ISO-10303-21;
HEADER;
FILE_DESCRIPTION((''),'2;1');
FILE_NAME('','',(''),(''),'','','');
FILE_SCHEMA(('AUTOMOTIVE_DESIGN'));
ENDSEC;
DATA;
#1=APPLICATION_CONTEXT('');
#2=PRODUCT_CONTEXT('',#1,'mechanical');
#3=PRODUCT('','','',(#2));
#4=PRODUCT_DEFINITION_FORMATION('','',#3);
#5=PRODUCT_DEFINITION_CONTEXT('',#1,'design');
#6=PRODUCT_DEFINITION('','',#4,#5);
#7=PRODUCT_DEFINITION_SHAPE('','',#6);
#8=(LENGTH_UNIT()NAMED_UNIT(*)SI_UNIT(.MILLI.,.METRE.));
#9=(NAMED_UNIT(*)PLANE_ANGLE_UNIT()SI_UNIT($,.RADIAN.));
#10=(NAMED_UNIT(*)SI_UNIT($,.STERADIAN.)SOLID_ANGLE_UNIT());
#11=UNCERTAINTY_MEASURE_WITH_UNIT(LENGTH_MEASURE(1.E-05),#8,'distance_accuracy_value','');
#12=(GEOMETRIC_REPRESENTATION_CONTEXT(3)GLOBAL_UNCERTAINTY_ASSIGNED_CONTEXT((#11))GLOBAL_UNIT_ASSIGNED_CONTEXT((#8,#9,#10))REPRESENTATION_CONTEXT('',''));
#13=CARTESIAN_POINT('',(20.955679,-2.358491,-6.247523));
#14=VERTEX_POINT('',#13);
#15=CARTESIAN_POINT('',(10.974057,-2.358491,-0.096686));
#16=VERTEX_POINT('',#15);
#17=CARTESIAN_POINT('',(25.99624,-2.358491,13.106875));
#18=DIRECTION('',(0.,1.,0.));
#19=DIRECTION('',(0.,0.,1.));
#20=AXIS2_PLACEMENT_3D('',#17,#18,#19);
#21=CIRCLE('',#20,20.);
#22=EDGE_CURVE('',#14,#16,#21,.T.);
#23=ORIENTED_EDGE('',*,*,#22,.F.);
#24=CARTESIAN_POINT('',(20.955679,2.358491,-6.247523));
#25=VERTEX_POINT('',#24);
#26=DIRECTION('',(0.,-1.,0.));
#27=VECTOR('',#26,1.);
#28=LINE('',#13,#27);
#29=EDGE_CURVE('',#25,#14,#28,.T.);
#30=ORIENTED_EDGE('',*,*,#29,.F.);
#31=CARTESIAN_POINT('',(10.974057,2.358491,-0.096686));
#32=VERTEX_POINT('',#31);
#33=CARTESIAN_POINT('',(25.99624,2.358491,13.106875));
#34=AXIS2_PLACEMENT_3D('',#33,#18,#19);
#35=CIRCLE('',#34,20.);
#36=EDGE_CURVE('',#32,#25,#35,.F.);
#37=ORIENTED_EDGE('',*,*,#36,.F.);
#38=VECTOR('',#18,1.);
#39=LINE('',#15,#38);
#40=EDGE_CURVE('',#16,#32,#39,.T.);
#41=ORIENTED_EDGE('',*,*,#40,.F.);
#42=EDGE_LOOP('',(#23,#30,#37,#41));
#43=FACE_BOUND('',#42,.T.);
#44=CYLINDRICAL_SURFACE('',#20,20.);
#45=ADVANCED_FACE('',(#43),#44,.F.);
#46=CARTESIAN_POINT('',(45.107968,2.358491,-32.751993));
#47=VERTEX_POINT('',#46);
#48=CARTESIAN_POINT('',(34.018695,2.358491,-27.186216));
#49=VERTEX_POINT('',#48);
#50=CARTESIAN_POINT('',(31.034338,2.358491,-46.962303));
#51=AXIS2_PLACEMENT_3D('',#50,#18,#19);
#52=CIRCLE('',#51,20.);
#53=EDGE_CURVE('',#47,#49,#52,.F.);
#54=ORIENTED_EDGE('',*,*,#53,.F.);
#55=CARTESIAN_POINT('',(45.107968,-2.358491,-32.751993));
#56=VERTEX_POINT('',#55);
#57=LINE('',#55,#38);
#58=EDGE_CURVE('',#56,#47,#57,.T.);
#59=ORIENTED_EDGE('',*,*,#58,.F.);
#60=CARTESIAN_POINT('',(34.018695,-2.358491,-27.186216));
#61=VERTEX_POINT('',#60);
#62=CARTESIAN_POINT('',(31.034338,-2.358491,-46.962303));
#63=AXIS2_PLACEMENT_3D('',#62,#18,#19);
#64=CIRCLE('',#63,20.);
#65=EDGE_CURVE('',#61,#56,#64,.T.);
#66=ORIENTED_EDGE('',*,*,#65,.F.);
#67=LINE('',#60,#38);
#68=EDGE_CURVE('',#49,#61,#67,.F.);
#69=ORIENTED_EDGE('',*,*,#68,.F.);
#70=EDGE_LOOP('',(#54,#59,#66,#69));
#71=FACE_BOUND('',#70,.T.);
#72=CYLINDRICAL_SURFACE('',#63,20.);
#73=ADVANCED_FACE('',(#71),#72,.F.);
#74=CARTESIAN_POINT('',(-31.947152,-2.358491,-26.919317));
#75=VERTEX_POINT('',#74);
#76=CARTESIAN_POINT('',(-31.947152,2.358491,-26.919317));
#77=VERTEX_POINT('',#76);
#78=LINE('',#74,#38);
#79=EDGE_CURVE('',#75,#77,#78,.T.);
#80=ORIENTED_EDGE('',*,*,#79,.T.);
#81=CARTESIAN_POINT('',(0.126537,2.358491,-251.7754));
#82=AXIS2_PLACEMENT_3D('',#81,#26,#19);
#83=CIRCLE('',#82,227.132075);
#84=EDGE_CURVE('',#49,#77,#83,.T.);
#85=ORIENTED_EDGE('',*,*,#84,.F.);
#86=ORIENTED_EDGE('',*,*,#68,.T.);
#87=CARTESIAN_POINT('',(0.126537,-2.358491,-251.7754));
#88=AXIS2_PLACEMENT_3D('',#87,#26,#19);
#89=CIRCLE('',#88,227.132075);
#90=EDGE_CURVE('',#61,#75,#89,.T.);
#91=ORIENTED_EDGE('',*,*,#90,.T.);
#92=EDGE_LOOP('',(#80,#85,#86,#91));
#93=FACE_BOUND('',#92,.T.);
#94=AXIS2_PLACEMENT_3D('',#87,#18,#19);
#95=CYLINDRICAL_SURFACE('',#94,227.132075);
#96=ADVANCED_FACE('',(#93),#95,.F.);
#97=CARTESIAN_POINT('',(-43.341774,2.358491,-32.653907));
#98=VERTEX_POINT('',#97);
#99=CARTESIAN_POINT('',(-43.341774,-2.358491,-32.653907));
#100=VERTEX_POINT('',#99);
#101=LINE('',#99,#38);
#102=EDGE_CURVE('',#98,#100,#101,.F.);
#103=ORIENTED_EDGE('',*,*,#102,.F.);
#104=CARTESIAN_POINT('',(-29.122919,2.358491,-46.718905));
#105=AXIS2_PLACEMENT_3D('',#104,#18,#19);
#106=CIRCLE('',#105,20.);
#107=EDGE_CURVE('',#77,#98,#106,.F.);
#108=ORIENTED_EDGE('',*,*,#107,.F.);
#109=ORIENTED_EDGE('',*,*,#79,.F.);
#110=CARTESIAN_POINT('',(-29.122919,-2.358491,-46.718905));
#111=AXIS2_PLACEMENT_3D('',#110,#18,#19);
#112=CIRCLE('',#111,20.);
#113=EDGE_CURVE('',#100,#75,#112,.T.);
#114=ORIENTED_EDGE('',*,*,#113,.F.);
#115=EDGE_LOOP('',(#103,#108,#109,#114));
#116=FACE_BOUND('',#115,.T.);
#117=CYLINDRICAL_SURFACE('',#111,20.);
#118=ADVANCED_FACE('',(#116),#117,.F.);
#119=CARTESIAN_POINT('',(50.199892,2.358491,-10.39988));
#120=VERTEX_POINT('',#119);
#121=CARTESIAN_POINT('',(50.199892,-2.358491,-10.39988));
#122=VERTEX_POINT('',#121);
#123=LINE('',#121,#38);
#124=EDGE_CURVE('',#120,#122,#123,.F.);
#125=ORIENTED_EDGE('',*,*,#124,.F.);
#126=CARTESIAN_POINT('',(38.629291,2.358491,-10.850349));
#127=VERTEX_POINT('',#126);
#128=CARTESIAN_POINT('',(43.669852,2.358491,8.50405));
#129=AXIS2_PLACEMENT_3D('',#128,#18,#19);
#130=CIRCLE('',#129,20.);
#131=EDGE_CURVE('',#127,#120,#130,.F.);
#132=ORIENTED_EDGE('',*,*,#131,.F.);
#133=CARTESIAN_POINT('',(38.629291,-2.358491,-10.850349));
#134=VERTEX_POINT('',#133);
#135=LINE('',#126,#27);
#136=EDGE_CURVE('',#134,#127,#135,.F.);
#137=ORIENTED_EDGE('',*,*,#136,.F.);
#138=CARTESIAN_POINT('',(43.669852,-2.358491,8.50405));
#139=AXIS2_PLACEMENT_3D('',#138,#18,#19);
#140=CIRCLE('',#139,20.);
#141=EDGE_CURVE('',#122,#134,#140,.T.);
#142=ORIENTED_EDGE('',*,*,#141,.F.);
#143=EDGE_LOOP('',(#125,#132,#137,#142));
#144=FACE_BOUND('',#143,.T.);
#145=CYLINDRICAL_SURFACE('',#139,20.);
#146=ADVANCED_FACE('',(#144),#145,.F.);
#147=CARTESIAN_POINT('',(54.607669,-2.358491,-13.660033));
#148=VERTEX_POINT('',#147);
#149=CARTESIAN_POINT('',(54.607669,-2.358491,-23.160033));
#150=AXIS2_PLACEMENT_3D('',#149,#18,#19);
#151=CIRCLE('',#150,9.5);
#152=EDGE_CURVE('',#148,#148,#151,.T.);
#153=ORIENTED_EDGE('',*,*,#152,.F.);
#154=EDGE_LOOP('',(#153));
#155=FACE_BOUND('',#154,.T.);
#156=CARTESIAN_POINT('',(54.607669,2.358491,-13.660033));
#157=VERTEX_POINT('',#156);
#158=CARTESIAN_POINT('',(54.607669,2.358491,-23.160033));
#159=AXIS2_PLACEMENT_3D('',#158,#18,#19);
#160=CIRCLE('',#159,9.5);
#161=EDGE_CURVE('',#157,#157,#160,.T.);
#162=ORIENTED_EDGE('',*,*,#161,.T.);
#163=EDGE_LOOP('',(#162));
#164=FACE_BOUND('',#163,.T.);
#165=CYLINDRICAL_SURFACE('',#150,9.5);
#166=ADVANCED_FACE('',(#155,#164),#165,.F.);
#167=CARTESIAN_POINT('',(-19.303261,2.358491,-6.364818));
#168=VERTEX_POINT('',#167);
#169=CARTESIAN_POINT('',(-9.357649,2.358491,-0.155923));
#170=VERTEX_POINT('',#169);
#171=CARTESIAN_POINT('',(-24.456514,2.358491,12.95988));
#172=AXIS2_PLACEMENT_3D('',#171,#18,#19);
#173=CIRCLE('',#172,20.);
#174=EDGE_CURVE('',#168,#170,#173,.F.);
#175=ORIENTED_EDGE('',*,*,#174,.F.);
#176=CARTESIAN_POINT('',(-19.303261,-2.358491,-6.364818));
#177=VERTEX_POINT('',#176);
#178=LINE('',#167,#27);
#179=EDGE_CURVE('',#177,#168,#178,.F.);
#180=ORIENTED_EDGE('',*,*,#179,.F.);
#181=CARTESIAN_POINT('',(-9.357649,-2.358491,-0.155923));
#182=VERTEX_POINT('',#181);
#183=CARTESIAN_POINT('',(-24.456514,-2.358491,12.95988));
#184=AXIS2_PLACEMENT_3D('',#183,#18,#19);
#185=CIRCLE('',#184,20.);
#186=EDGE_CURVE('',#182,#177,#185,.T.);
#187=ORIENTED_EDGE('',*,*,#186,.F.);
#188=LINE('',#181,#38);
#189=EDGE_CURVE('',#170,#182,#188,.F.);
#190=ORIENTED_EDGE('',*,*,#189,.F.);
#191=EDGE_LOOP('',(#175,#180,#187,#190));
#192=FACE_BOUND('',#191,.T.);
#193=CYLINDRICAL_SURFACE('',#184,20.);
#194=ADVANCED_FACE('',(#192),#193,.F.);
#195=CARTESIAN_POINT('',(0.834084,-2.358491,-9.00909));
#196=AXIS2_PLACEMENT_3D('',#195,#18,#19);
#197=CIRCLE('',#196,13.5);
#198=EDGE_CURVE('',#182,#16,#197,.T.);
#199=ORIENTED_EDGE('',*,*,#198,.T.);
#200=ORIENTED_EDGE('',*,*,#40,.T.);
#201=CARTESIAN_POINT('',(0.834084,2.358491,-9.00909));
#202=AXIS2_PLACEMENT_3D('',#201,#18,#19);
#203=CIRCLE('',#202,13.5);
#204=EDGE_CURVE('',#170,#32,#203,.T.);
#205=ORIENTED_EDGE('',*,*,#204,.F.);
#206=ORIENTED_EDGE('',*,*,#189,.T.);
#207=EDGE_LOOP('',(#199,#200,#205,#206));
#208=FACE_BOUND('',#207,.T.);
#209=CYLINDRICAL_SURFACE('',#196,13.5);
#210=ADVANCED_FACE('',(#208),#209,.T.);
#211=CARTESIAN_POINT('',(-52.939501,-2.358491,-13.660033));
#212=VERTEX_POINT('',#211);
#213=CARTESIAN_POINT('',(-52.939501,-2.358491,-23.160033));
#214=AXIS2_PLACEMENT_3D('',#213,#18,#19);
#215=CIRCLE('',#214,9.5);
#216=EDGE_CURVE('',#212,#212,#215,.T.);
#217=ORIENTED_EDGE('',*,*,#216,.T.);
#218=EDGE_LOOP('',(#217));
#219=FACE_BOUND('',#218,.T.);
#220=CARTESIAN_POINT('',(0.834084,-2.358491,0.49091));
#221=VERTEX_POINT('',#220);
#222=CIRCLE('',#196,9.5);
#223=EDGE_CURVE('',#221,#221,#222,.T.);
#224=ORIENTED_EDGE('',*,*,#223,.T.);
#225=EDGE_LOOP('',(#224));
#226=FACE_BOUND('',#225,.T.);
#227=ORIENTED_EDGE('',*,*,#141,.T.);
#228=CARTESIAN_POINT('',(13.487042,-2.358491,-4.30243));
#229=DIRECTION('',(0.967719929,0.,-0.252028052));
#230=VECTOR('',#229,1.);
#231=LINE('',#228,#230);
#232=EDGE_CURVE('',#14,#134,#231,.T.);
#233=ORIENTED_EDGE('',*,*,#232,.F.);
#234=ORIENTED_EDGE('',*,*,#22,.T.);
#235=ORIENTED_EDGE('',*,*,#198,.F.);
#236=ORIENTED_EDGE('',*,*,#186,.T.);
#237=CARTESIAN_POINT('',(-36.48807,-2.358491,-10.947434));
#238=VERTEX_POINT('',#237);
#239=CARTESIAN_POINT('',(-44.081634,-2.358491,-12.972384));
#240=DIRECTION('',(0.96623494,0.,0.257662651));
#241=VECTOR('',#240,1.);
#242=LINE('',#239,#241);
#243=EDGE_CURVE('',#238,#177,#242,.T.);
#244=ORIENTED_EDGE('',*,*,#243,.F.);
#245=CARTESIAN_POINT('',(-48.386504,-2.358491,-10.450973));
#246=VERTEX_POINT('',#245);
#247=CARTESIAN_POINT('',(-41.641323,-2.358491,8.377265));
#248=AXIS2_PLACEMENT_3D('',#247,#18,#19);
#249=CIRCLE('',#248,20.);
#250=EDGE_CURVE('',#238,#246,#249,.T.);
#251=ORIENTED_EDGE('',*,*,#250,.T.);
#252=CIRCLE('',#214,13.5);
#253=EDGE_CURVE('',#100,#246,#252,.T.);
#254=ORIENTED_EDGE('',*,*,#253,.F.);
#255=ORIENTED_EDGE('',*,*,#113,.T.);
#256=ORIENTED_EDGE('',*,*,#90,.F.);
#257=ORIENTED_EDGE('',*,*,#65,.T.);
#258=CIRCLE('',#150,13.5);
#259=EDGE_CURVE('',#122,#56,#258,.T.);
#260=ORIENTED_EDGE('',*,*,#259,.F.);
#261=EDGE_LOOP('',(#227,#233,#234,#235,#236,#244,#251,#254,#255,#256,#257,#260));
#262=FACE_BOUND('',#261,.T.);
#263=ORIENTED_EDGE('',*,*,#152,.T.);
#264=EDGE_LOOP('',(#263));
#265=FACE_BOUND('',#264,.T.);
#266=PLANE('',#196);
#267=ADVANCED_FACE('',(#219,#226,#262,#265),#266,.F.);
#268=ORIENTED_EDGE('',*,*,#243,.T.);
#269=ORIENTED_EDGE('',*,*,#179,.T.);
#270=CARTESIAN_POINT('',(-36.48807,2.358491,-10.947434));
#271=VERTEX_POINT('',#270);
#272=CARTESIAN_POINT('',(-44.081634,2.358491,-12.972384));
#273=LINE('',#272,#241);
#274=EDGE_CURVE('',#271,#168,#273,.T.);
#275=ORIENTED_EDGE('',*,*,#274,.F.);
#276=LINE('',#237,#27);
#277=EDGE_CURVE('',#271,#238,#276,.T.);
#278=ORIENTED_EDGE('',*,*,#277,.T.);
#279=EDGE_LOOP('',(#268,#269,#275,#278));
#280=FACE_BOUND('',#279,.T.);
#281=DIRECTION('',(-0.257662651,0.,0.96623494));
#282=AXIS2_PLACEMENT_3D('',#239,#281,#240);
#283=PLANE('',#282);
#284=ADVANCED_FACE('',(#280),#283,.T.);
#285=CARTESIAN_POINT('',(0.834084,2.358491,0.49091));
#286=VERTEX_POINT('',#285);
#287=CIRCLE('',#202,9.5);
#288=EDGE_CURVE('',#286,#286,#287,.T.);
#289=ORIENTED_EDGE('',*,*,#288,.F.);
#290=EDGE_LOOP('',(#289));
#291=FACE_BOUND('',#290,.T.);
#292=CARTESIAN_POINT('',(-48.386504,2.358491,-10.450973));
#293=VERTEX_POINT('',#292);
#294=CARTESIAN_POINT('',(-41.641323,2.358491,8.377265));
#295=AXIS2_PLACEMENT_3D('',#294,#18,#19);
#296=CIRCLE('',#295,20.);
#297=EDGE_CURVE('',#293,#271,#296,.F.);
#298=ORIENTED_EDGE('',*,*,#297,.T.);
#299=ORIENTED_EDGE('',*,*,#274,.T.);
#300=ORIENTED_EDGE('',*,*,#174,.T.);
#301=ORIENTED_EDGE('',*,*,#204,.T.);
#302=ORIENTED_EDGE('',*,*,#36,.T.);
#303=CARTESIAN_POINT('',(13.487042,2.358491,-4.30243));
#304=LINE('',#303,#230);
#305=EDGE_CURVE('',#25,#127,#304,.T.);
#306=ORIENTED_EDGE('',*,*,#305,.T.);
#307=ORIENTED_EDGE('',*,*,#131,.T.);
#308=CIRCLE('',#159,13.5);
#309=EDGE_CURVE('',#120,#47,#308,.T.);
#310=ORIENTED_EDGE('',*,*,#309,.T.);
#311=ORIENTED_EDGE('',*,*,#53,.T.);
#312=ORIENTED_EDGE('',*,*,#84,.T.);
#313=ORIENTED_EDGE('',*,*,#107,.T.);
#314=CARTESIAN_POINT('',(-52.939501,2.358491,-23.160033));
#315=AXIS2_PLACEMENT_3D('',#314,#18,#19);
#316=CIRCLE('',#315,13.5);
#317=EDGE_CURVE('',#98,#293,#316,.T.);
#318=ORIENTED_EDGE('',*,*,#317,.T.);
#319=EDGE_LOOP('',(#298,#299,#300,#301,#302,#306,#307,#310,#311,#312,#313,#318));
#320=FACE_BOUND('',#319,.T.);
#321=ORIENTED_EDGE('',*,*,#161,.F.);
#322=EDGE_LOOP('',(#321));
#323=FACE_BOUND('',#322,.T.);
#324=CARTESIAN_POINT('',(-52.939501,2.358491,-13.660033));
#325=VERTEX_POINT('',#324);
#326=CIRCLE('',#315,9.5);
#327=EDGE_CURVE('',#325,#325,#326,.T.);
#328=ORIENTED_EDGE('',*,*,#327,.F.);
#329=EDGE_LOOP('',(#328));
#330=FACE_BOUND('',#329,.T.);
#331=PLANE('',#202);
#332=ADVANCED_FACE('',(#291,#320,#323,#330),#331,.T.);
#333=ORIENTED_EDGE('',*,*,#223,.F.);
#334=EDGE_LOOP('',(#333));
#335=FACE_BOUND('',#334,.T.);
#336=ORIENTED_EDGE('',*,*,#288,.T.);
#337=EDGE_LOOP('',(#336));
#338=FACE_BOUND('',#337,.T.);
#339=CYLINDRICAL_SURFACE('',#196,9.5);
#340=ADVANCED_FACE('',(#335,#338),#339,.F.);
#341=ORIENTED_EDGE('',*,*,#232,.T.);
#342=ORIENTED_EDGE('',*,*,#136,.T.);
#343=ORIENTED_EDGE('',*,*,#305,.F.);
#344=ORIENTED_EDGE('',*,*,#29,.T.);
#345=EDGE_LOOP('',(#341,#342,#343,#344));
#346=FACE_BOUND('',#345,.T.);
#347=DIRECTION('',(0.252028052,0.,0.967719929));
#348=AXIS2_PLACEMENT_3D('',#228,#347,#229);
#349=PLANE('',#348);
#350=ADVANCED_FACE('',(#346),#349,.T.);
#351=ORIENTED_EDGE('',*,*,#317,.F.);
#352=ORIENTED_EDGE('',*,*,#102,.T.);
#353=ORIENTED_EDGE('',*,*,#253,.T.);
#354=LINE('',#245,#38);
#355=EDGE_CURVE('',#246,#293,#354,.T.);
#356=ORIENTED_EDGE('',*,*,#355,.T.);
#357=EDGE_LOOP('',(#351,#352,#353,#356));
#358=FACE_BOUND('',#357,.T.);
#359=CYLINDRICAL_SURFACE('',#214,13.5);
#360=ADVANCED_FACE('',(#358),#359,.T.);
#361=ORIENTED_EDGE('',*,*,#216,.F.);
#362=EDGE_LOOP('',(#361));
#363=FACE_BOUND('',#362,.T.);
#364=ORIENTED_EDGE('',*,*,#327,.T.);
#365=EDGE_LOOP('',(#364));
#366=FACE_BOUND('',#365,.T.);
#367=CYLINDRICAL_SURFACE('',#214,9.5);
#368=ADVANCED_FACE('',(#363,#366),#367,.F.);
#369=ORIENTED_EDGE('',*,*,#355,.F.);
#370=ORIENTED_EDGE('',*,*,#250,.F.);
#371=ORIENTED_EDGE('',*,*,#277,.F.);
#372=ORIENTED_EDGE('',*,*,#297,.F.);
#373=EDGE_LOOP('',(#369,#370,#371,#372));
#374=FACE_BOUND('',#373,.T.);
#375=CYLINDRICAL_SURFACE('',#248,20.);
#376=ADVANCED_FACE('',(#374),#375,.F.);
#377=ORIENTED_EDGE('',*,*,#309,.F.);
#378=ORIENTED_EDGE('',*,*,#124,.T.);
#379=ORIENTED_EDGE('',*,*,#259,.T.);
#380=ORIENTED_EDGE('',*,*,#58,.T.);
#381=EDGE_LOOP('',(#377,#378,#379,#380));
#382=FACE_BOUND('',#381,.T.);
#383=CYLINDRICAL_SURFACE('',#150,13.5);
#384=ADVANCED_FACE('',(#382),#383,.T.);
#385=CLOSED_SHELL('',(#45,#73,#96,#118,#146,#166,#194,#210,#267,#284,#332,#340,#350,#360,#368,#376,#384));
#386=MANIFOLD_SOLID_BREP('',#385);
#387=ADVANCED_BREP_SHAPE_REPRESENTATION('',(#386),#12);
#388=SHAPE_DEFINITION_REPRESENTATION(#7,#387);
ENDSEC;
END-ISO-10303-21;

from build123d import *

# Parameters (mm, degrees)
SKETCH1_R           = 4.05
BOSS_EXTRUDE1_DEPTH = 5
SCALE1_SCALE        = 0.471698113
SKETCH2_R           = 1.910377358
BOSS_EXTRUDE2_DEPTH = 4.716981
SKETCH3_R           = 9.5
CUT_EXTRUDE1_DEPTH  = 78.491048109
FILLET1_R           = 20


with BuildPart() as part:
    # Sketch1 → Boss-Extrude1 (new, symmetric)
    with BuildSketch(Plane(origin=(0, 0, 0), x_dir=(1, 0, 0), z_dir=(0, 1, 0))):
        with BuildLine():
            Line((-115.945353012, 22.704926206), (-2.044938074, -7.668517777))
            ThreePointArc((-2.044938074, -7.668517777), (-0.023122965, -7.936460291), (2.000219114, -7.680303388))
            Line((2.000219114, -7.680303388), (116.075928336, 22.028993564))
            ThreePointArc((116.075928336, 22.028993564), (121.992194313, 31.992800071), (112.09054435, 38.012515284))
            ThreePointArc((112.09054435, 38.012515284), (-0.062996347, 24.666684437), (-112.292885137, 37.35447203))
            ThreePointArc((-112.292885137, 37.35447203), (-121.325741435, 31.826475412), (-115.945353012, 22.704926206))
        make_face()
        with Locations(Location((0, 0, 0), (0, 0, 270))):
            Circle(SKETCH1_R, mode=Mode.SUBTRACT)
        with Locations(Location((114, 30, 0), (0, 0, 270))):
            Circle(SKETCH1_R, mode=Mode.SUBTRACT)
        with Locations(Location((-114, 30, 0), (0, 0, 270))):
            Circle(SKETCH1_R, mode=Mode.SUBTRACT)
    extrude(amount=BOSS_EXTRUDE1_DEPTH, both=True)


with BuildPart() as part_1:
    # Scale1: scaled about (1.578802129, 0, -17.052920202)
    add(part.part.scale(SCALE1_SCALE).moved(Location((0.834084144, 0, -9.009089918))))

    # Sketch2 → Boss-Extrude2 (add, through all)
    with BuildSketch(Plane(origin=(0, 2.358490566, 0), x_dir=(1, 0, 0), z_dir=(0, 1, 0))):
        with BuildLine():
            Line((13.487042299, 4.302429752), (45.990989369, 12.76759225))
            ThreePointArc((45.990989369, 12.76759225), (67.744107555, 26.27194324), (42.244562907, 28.582542559))
            ThreePointArc((42.244562907, 28.582542559), (0.907570824, 24.644667364), (-40.455525682, 28.298161983))
            ThreePointArc((-40.455525682, 28.298161983), (-66.076792027, 26.268341249), (-44.081633602, 12.97238445))
            Line((-44.081633602, 12.97238445), (-11.846084783, 4.376238098))
            ThreePointArc((-11.846084783, 4.376238098), (0.794751912, -4.490852784), (13.487042299, 4.302429752))
        make_face()
        with Locations(Location((54.607669049, 23.160033314, 0), (0, 0, 270))):
            Circle(SKETCH2_R, mode=Mode.SUBTRACT)
        with Locations(Location((0.834084144, 9.009089918, 0), (0, 0, 270))):
            Circle(SKETCH2_R, mode=Mode.SUBTRACT)
        with Locations(Location((-52.939500762, 23.160033314, 0), (0, 0, 270))):
            Circle(SKETCH2_R, mode=Mode.SUBTRACT)
    extrude(amount=-BOSS_EXTRUDE2_DEPTH)

    # Sketch3 → Cut-Extrude1 (cut, through all)
    with BuildSketch(Plane(origin=(0, 2.358490566, 0), x_dir=(1, 0, 0), z_dir=(0, 1, 0))):
        with Locations(Location((-52.939500762, 23.160033314, 0), (0, 0, 270))):
            Circle(SKETCH3_R)
        with Locations(Location((0.834084144, 9.009089918, 0), (0, 0, 270))):
            Circle(SKETCH3_R)
        with Locations(Location((54.607669049, 23.160033314, 0), (0, 0, 270))):
            Circle(SKETCH3_R)
    extrude(amount=-CUT_EXTRUDE1_DEPTH, mode=Mode.SUBTRACT)

    # Fillet1
    fillet1_edges = [part_1.edges().sort_by_distance(p)[0] for p in [
        (42.244562907, 6.6e-08, -28.582542559),
        (45.990989369, 6.6e-08, -12.76759225),
        (13.487042299, 6.6e-08, -4.302429752),
        (-11.846084783, 6.6e-08, -4.376238098),
        (-44.081633602, 6.6e-08, -12.97238445),
        (-40.455525682, 6.6e-08, -28.298161983),
    ]]
    fillet(fillet1_edges, radius=FILLET1_R)


solid = part_1.part
